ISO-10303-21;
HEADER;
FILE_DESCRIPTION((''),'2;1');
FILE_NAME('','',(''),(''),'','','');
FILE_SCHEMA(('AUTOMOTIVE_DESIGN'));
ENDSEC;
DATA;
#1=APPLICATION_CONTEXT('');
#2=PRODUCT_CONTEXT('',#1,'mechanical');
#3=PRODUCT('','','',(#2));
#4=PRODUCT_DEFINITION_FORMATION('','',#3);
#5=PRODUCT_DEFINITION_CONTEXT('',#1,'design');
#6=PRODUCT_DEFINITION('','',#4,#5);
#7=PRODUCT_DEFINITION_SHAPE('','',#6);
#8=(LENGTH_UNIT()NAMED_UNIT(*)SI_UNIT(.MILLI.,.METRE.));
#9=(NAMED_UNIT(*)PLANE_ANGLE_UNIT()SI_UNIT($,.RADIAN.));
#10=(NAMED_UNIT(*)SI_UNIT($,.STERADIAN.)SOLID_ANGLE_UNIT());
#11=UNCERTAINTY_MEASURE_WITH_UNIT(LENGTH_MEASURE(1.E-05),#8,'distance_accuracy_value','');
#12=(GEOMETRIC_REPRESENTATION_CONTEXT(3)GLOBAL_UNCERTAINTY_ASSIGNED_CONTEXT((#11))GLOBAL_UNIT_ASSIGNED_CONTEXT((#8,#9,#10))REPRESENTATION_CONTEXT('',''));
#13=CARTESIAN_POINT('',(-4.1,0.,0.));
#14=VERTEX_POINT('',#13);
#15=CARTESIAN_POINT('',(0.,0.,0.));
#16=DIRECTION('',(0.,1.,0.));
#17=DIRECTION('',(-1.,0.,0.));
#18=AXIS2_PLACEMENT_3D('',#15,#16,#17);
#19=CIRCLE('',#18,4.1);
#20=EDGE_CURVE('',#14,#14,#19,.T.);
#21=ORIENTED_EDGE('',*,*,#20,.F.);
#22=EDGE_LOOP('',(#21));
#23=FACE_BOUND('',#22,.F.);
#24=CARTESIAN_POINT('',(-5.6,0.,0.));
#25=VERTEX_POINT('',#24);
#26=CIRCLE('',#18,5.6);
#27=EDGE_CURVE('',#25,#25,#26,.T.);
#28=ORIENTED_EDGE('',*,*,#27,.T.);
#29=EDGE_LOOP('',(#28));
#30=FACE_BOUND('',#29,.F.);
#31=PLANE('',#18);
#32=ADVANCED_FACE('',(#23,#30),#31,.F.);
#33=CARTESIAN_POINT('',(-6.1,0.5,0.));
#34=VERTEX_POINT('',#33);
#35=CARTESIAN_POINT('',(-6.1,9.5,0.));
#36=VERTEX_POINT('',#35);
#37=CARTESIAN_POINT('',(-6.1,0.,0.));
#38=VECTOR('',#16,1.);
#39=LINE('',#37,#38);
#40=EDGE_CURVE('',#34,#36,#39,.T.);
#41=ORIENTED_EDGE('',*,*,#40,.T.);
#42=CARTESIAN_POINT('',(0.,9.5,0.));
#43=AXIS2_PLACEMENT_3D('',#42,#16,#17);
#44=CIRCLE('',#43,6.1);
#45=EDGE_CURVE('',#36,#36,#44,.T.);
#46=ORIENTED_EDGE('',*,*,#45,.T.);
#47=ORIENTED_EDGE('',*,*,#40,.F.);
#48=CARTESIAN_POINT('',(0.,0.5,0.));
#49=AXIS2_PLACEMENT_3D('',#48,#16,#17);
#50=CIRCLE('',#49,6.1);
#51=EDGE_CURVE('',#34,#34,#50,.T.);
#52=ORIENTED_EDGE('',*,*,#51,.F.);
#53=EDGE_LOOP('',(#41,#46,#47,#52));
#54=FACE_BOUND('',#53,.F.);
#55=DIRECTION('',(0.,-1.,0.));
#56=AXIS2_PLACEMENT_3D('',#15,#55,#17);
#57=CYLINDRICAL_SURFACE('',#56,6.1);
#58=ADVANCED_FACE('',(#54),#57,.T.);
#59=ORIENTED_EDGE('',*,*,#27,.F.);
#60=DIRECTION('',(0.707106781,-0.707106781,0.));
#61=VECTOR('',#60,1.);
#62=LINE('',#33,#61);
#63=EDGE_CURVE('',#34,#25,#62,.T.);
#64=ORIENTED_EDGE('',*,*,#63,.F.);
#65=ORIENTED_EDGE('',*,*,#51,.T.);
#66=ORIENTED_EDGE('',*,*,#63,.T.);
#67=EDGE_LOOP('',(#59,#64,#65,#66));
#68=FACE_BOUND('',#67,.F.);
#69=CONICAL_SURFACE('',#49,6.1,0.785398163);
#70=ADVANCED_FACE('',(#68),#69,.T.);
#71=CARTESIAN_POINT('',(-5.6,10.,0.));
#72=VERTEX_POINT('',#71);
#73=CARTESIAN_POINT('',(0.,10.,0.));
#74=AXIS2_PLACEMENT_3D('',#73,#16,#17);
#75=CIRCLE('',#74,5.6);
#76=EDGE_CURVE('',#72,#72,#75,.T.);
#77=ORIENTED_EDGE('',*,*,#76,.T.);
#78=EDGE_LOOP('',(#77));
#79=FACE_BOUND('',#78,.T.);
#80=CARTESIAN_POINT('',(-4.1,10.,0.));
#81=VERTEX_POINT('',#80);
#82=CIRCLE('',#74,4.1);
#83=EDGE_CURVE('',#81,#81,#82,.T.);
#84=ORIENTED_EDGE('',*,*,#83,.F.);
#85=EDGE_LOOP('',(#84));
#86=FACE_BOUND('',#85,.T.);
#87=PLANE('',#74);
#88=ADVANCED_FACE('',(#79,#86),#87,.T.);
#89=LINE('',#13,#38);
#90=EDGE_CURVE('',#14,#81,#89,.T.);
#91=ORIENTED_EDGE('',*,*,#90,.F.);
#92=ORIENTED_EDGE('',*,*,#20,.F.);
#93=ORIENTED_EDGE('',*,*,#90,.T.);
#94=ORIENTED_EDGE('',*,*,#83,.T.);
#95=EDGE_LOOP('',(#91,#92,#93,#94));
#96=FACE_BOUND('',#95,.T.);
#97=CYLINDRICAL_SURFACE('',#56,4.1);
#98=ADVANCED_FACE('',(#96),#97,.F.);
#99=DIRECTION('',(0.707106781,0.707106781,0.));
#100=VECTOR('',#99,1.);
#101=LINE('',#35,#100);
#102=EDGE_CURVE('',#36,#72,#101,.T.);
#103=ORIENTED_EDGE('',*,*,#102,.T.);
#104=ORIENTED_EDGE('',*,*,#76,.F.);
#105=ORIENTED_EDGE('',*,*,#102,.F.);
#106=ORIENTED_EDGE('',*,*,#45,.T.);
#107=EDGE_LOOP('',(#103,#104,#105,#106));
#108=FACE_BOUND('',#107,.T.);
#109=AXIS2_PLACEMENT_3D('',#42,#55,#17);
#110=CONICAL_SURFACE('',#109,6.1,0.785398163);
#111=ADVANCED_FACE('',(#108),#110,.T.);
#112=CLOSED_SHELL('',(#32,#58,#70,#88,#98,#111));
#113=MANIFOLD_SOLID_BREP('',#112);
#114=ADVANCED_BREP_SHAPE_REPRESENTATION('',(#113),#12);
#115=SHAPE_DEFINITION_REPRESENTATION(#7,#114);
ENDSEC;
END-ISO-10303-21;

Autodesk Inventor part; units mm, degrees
ref_plane "YZ Plane" through (0, 0, 0) normal (1, 0, 0) x (0, 1, 0)
ref_plane "XZ Plane" through (0, 0, 0) normal (0, 1, 0) x (-1, 0, 0)
ref_plane "XY Plane" through (0, 0, 0) normal (0, 0, 1) x (1, 0, 0)
sketch "Sketch1" plane through (0, 0, 0) normal (0, 1, 0) x (-1, 0, 0)
  circle A0 centre (0, 0) radius 4.1
  circle A1 centre (0, 0) radius 6.1
  dimension "d0" = 8.2
  dimension "d1" = 2
extrude "Extrusion1" add sketch "Sketch1" along normal blind 10
chamfer "Chamfer1" distance 0.5 angle 45 2 edges at (6.1, 0, 0) (6.1, 10, 0)
properties part number "FirstArmStageSpacer"
